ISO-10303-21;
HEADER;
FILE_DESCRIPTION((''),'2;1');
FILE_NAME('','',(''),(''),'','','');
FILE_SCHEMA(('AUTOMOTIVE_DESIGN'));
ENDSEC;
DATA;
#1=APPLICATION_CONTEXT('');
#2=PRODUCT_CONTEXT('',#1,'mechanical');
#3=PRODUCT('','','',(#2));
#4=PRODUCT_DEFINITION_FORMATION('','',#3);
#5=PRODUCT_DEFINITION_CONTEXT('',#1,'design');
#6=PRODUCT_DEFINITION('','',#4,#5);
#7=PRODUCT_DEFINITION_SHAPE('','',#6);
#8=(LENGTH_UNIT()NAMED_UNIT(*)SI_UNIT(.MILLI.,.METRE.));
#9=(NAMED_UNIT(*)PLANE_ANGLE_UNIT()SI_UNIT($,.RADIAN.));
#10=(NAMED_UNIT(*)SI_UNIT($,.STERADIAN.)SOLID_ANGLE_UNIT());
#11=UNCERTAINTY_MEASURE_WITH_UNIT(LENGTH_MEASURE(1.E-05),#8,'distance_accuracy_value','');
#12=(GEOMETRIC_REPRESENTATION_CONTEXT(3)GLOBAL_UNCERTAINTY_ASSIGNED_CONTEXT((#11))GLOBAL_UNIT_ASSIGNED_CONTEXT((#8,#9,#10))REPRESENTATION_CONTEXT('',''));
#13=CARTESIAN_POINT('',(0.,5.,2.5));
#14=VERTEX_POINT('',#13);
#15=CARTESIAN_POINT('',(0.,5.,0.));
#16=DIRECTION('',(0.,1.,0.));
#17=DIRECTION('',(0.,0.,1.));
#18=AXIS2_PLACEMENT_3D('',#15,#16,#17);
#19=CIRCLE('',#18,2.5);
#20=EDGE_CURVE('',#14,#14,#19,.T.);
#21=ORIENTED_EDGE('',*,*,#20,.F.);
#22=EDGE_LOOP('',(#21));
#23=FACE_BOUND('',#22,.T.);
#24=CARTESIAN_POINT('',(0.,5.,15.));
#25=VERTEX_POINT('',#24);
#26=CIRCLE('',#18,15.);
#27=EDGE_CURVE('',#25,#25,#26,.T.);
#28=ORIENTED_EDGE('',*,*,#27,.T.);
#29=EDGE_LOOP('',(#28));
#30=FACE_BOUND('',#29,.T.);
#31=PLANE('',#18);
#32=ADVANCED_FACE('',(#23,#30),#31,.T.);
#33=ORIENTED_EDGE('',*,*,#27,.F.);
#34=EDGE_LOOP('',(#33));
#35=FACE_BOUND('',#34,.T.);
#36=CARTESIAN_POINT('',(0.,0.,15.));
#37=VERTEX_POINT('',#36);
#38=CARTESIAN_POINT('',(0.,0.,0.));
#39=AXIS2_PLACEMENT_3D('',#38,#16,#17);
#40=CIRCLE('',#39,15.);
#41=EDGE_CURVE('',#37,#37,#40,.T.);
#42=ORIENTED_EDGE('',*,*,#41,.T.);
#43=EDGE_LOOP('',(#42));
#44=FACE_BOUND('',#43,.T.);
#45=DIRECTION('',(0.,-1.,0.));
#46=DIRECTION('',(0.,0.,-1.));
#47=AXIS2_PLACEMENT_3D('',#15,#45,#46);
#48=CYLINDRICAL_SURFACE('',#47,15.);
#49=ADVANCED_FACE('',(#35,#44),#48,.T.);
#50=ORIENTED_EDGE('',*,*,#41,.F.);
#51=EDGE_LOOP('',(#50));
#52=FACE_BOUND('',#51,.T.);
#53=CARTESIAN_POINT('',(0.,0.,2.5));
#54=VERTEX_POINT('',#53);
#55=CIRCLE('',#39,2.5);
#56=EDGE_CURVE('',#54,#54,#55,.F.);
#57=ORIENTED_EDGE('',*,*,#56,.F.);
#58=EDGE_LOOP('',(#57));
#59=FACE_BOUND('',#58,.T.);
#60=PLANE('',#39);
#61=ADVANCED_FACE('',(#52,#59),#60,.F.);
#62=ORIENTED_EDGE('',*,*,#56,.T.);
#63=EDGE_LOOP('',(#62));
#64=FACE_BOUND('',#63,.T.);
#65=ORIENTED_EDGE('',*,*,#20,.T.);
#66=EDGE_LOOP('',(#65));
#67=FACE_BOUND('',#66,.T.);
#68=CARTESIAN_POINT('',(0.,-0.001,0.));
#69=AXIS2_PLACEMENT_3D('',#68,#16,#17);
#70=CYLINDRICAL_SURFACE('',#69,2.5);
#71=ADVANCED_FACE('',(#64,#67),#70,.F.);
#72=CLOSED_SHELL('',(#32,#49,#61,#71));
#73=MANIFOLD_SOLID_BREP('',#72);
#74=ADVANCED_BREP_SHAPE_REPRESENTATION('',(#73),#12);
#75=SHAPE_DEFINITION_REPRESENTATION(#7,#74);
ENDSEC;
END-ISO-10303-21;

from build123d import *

# Parameters (mm, degrees)
SKETCH1_R           = 15
BOSS_EXTRUDE1_DEPTH = 5
CUT_EXTRUDE1_REACH  = 23.794
SKETCH2_R           = 2.5


with BuildPart() as part:
    # Sketch1 → Boss-Extrude1 (new body)
    with BuildSketch(Plane(origin=(0, 0, 0), x_dir=(1, 0, 0), z_dir=(0, 1, 0))):
        with Locations(Location((0, 0, 0), (0, 0, 270))):
            Circle(SKETCH1_R)
    extrude(amount=BOSS_EXTRUDE1_DEPTH)

    # Sketch2 → Cut-Extrude1 (cut, up to next)
    with BuildSketch(Plane(origin=(0, 5, 0), x_dir=(1, 0, 0), z_dir=(0, 1, 0)), mode=Mode.PRIVATE) as cut_extrude1_sk1:
        with Locations(Location((0, 0, 0), (0, 0, 270))):
            Circle(SKETCH2_R)
    cut_extrude1_tool1 = extrude(cut_extrude1_sk1.sketch, amount=-CUT_EXTRUDE1_REACH, mode=Mode.PRIVATE) & part.part
    add(cut_extrude1_tool1.solids().sort_by_distance((0, 5, 0))[0], mode=Mode.SUBTRACT)


solid = part.part
